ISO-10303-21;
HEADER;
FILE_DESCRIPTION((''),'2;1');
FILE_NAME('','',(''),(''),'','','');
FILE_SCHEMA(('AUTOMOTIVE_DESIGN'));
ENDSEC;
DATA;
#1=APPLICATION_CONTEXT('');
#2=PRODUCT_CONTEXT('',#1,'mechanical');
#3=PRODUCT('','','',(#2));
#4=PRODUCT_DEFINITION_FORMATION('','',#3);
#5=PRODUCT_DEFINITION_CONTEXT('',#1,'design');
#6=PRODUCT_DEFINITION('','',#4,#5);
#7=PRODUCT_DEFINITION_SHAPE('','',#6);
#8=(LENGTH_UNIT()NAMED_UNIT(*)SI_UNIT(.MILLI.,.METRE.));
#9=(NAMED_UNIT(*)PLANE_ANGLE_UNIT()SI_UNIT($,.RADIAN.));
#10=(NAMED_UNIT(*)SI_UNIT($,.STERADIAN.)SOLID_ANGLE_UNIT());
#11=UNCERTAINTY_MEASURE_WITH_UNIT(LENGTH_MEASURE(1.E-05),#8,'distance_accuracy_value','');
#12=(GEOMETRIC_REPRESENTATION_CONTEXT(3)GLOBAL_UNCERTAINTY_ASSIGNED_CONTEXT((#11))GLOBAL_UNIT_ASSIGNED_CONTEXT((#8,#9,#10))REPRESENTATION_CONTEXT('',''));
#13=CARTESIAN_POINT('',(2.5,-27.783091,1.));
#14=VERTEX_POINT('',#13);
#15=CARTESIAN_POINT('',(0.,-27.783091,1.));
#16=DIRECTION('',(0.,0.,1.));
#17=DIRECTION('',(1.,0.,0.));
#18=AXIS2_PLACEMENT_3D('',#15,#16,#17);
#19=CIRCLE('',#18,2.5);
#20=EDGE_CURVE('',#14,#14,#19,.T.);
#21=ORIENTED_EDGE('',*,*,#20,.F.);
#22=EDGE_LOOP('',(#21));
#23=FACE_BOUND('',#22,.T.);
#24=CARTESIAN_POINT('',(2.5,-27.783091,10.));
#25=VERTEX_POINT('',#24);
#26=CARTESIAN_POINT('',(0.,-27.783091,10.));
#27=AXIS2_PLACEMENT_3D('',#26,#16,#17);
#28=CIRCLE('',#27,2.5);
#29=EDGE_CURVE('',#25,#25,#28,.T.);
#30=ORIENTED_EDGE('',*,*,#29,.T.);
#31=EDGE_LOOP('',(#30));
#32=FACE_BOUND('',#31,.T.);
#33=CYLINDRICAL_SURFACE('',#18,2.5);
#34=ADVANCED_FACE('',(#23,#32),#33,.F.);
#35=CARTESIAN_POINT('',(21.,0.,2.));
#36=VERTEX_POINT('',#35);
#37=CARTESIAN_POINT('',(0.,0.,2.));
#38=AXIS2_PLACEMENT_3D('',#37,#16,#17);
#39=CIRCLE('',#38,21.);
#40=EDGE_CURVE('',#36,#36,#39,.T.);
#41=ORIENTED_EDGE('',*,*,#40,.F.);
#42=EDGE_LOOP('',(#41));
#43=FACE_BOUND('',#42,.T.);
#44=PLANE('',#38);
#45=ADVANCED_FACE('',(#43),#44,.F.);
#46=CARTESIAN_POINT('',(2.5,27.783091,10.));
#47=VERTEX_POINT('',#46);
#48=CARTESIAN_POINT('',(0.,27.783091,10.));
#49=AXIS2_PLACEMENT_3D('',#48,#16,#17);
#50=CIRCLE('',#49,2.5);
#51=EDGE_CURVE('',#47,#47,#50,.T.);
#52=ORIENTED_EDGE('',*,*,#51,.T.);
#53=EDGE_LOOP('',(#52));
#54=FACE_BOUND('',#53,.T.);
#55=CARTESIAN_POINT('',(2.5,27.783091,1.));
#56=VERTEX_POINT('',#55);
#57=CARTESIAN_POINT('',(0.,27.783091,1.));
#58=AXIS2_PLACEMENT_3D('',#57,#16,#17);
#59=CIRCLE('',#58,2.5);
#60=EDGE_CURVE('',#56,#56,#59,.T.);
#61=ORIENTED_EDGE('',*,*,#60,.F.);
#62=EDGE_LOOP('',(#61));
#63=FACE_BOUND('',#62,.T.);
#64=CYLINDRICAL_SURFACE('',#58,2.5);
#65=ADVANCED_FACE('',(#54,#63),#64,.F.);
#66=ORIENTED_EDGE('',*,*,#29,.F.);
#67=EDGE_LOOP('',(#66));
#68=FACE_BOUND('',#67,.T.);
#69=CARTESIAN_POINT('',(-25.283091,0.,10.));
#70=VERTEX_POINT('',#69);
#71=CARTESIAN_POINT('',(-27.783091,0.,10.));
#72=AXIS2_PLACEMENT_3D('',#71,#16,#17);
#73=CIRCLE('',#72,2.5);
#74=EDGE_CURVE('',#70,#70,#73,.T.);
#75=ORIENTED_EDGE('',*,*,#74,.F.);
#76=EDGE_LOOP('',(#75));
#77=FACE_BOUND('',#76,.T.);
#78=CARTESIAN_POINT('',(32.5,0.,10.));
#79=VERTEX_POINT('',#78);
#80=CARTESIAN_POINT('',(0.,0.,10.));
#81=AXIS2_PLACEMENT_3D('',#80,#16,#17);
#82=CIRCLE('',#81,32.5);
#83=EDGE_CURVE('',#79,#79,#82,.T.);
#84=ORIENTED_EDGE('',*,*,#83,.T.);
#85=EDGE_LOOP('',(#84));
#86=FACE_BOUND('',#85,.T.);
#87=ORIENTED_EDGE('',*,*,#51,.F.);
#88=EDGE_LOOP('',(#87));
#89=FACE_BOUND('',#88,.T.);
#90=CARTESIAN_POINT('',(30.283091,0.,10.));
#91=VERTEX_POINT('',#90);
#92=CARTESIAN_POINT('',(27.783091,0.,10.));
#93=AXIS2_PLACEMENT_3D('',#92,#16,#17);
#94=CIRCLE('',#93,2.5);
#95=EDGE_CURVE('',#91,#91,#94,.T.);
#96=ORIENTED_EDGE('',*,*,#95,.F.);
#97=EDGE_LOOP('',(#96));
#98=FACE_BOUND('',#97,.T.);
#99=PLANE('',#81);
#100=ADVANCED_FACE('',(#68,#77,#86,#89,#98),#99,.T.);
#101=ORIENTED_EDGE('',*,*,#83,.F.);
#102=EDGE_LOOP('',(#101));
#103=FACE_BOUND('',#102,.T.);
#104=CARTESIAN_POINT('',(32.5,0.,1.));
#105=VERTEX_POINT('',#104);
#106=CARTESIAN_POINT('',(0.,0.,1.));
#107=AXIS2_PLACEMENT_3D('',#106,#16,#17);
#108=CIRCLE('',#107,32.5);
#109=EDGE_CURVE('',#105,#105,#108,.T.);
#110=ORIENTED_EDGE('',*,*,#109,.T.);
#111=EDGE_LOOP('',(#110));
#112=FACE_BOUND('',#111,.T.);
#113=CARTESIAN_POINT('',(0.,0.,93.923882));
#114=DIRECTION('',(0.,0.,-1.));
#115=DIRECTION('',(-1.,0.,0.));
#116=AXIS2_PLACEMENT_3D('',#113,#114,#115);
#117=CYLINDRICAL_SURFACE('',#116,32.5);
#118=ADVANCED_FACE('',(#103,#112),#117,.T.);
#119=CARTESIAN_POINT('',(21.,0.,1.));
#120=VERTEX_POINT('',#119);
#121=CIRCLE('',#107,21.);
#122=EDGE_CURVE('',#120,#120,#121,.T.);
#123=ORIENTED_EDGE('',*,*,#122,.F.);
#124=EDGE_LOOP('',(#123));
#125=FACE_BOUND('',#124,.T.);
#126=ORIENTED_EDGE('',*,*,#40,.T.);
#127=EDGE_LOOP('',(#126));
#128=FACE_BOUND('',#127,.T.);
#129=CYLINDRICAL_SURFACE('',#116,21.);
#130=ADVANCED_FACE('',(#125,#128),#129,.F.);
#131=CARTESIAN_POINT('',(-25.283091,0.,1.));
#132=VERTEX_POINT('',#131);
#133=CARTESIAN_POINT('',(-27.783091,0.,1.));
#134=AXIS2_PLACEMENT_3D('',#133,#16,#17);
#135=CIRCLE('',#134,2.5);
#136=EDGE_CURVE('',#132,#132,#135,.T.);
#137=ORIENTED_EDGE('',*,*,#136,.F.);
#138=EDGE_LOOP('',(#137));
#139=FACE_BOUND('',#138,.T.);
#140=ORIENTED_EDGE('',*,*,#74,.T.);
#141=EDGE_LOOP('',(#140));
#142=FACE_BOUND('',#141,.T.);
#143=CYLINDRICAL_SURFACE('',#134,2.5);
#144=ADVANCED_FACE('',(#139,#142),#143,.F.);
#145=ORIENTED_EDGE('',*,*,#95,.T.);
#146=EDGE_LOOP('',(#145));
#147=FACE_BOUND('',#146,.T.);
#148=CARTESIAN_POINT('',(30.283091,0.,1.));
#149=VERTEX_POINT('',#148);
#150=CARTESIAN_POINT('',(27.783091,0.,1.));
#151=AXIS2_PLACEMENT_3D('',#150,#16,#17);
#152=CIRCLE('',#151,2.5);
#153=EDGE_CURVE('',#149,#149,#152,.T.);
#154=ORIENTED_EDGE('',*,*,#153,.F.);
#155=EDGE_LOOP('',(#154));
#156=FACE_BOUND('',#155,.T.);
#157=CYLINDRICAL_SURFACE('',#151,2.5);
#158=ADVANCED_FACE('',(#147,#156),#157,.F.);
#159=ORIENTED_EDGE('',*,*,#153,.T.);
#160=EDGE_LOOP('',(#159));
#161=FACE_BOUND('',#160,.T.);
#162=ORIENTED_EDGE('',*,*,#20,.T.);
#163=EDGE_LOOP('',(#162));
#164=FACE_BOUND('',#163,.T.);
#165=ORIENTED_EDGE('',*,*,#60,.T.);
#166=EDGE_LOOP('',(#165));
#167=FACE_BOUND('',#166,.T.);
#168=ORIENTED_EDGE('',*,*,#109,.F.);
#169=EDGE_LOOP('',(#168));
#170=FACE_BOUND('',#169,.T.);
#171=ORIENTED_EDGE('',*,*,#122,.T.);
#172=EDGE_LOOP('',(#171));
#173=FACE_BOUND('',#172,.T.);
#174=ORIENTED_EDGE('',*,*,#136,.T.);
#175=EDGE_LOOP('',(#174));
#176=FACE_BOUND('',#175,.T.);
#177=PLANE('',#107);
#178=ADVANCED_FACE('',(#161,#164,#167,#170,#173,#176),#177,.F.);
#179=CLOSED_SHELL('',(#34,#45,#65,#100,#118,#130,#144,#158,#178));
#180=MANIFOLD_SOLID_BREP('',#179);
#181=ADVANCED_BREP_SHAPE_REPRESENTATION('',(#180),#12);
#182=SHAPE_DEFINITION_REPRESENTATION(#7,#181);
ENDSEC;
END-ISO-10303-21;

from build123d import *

# Parameters (mm, degrees)
BOSS_EXTRUDE1_START = 1
SKETCH1_R           = 32.5
SKETCH1_R_2         = 21
BOSS_EXTRUDE1_DEPTH = 1
SKETCH2_R           = 32.5
BOSS_EXTRUDE2_DEPTH = 8
SKETCH3_R           = 2.5
CUT_EXTRUDE1_DEPTH  = 47.834816109


with BuildPart() as part:
    # Sketch1 → Boss-Extrude1 (new body)
    with BuildSketch(Plane.XY.offset(BOSS_EXTRUDE1_START)):
        Circle(SKETCH1_R)
        Circle(SKETCH1_R_2, mode=Mode.SUBTRACT)
    extrude(amount=BOSS_EXTRUDE1_DEPTH)

    # Sketch2 → Boss-Extrude2 (add)
    with BuildSketch(Plane.XY.offset(2)):
        Circle(SKETCH2_R)
    extrude(amount=BOSS_EXTRUDE2_DEPTH)

    # Sketch3 → Cut-Extrude1 (cut, through all)
    with BuildSketch(Plane.XY.offset(10)):
        with Locations((0, 27.783091373)):
            Circle(SKETCH3_R)
        with Locations((27.783091373, 0)):
            Circle(SKETCH3_R)
        with Locations((0, -27.783091373)):
            Circle(SKETCH3_R)
        with Locations((-27.783091373, 0)):
            Circle(SKETCH3_R)
    extrude(amount=-CUT_EXTRUDE1_DEPTH, mode=Mode.SUBTRACT)


solid = part.part
